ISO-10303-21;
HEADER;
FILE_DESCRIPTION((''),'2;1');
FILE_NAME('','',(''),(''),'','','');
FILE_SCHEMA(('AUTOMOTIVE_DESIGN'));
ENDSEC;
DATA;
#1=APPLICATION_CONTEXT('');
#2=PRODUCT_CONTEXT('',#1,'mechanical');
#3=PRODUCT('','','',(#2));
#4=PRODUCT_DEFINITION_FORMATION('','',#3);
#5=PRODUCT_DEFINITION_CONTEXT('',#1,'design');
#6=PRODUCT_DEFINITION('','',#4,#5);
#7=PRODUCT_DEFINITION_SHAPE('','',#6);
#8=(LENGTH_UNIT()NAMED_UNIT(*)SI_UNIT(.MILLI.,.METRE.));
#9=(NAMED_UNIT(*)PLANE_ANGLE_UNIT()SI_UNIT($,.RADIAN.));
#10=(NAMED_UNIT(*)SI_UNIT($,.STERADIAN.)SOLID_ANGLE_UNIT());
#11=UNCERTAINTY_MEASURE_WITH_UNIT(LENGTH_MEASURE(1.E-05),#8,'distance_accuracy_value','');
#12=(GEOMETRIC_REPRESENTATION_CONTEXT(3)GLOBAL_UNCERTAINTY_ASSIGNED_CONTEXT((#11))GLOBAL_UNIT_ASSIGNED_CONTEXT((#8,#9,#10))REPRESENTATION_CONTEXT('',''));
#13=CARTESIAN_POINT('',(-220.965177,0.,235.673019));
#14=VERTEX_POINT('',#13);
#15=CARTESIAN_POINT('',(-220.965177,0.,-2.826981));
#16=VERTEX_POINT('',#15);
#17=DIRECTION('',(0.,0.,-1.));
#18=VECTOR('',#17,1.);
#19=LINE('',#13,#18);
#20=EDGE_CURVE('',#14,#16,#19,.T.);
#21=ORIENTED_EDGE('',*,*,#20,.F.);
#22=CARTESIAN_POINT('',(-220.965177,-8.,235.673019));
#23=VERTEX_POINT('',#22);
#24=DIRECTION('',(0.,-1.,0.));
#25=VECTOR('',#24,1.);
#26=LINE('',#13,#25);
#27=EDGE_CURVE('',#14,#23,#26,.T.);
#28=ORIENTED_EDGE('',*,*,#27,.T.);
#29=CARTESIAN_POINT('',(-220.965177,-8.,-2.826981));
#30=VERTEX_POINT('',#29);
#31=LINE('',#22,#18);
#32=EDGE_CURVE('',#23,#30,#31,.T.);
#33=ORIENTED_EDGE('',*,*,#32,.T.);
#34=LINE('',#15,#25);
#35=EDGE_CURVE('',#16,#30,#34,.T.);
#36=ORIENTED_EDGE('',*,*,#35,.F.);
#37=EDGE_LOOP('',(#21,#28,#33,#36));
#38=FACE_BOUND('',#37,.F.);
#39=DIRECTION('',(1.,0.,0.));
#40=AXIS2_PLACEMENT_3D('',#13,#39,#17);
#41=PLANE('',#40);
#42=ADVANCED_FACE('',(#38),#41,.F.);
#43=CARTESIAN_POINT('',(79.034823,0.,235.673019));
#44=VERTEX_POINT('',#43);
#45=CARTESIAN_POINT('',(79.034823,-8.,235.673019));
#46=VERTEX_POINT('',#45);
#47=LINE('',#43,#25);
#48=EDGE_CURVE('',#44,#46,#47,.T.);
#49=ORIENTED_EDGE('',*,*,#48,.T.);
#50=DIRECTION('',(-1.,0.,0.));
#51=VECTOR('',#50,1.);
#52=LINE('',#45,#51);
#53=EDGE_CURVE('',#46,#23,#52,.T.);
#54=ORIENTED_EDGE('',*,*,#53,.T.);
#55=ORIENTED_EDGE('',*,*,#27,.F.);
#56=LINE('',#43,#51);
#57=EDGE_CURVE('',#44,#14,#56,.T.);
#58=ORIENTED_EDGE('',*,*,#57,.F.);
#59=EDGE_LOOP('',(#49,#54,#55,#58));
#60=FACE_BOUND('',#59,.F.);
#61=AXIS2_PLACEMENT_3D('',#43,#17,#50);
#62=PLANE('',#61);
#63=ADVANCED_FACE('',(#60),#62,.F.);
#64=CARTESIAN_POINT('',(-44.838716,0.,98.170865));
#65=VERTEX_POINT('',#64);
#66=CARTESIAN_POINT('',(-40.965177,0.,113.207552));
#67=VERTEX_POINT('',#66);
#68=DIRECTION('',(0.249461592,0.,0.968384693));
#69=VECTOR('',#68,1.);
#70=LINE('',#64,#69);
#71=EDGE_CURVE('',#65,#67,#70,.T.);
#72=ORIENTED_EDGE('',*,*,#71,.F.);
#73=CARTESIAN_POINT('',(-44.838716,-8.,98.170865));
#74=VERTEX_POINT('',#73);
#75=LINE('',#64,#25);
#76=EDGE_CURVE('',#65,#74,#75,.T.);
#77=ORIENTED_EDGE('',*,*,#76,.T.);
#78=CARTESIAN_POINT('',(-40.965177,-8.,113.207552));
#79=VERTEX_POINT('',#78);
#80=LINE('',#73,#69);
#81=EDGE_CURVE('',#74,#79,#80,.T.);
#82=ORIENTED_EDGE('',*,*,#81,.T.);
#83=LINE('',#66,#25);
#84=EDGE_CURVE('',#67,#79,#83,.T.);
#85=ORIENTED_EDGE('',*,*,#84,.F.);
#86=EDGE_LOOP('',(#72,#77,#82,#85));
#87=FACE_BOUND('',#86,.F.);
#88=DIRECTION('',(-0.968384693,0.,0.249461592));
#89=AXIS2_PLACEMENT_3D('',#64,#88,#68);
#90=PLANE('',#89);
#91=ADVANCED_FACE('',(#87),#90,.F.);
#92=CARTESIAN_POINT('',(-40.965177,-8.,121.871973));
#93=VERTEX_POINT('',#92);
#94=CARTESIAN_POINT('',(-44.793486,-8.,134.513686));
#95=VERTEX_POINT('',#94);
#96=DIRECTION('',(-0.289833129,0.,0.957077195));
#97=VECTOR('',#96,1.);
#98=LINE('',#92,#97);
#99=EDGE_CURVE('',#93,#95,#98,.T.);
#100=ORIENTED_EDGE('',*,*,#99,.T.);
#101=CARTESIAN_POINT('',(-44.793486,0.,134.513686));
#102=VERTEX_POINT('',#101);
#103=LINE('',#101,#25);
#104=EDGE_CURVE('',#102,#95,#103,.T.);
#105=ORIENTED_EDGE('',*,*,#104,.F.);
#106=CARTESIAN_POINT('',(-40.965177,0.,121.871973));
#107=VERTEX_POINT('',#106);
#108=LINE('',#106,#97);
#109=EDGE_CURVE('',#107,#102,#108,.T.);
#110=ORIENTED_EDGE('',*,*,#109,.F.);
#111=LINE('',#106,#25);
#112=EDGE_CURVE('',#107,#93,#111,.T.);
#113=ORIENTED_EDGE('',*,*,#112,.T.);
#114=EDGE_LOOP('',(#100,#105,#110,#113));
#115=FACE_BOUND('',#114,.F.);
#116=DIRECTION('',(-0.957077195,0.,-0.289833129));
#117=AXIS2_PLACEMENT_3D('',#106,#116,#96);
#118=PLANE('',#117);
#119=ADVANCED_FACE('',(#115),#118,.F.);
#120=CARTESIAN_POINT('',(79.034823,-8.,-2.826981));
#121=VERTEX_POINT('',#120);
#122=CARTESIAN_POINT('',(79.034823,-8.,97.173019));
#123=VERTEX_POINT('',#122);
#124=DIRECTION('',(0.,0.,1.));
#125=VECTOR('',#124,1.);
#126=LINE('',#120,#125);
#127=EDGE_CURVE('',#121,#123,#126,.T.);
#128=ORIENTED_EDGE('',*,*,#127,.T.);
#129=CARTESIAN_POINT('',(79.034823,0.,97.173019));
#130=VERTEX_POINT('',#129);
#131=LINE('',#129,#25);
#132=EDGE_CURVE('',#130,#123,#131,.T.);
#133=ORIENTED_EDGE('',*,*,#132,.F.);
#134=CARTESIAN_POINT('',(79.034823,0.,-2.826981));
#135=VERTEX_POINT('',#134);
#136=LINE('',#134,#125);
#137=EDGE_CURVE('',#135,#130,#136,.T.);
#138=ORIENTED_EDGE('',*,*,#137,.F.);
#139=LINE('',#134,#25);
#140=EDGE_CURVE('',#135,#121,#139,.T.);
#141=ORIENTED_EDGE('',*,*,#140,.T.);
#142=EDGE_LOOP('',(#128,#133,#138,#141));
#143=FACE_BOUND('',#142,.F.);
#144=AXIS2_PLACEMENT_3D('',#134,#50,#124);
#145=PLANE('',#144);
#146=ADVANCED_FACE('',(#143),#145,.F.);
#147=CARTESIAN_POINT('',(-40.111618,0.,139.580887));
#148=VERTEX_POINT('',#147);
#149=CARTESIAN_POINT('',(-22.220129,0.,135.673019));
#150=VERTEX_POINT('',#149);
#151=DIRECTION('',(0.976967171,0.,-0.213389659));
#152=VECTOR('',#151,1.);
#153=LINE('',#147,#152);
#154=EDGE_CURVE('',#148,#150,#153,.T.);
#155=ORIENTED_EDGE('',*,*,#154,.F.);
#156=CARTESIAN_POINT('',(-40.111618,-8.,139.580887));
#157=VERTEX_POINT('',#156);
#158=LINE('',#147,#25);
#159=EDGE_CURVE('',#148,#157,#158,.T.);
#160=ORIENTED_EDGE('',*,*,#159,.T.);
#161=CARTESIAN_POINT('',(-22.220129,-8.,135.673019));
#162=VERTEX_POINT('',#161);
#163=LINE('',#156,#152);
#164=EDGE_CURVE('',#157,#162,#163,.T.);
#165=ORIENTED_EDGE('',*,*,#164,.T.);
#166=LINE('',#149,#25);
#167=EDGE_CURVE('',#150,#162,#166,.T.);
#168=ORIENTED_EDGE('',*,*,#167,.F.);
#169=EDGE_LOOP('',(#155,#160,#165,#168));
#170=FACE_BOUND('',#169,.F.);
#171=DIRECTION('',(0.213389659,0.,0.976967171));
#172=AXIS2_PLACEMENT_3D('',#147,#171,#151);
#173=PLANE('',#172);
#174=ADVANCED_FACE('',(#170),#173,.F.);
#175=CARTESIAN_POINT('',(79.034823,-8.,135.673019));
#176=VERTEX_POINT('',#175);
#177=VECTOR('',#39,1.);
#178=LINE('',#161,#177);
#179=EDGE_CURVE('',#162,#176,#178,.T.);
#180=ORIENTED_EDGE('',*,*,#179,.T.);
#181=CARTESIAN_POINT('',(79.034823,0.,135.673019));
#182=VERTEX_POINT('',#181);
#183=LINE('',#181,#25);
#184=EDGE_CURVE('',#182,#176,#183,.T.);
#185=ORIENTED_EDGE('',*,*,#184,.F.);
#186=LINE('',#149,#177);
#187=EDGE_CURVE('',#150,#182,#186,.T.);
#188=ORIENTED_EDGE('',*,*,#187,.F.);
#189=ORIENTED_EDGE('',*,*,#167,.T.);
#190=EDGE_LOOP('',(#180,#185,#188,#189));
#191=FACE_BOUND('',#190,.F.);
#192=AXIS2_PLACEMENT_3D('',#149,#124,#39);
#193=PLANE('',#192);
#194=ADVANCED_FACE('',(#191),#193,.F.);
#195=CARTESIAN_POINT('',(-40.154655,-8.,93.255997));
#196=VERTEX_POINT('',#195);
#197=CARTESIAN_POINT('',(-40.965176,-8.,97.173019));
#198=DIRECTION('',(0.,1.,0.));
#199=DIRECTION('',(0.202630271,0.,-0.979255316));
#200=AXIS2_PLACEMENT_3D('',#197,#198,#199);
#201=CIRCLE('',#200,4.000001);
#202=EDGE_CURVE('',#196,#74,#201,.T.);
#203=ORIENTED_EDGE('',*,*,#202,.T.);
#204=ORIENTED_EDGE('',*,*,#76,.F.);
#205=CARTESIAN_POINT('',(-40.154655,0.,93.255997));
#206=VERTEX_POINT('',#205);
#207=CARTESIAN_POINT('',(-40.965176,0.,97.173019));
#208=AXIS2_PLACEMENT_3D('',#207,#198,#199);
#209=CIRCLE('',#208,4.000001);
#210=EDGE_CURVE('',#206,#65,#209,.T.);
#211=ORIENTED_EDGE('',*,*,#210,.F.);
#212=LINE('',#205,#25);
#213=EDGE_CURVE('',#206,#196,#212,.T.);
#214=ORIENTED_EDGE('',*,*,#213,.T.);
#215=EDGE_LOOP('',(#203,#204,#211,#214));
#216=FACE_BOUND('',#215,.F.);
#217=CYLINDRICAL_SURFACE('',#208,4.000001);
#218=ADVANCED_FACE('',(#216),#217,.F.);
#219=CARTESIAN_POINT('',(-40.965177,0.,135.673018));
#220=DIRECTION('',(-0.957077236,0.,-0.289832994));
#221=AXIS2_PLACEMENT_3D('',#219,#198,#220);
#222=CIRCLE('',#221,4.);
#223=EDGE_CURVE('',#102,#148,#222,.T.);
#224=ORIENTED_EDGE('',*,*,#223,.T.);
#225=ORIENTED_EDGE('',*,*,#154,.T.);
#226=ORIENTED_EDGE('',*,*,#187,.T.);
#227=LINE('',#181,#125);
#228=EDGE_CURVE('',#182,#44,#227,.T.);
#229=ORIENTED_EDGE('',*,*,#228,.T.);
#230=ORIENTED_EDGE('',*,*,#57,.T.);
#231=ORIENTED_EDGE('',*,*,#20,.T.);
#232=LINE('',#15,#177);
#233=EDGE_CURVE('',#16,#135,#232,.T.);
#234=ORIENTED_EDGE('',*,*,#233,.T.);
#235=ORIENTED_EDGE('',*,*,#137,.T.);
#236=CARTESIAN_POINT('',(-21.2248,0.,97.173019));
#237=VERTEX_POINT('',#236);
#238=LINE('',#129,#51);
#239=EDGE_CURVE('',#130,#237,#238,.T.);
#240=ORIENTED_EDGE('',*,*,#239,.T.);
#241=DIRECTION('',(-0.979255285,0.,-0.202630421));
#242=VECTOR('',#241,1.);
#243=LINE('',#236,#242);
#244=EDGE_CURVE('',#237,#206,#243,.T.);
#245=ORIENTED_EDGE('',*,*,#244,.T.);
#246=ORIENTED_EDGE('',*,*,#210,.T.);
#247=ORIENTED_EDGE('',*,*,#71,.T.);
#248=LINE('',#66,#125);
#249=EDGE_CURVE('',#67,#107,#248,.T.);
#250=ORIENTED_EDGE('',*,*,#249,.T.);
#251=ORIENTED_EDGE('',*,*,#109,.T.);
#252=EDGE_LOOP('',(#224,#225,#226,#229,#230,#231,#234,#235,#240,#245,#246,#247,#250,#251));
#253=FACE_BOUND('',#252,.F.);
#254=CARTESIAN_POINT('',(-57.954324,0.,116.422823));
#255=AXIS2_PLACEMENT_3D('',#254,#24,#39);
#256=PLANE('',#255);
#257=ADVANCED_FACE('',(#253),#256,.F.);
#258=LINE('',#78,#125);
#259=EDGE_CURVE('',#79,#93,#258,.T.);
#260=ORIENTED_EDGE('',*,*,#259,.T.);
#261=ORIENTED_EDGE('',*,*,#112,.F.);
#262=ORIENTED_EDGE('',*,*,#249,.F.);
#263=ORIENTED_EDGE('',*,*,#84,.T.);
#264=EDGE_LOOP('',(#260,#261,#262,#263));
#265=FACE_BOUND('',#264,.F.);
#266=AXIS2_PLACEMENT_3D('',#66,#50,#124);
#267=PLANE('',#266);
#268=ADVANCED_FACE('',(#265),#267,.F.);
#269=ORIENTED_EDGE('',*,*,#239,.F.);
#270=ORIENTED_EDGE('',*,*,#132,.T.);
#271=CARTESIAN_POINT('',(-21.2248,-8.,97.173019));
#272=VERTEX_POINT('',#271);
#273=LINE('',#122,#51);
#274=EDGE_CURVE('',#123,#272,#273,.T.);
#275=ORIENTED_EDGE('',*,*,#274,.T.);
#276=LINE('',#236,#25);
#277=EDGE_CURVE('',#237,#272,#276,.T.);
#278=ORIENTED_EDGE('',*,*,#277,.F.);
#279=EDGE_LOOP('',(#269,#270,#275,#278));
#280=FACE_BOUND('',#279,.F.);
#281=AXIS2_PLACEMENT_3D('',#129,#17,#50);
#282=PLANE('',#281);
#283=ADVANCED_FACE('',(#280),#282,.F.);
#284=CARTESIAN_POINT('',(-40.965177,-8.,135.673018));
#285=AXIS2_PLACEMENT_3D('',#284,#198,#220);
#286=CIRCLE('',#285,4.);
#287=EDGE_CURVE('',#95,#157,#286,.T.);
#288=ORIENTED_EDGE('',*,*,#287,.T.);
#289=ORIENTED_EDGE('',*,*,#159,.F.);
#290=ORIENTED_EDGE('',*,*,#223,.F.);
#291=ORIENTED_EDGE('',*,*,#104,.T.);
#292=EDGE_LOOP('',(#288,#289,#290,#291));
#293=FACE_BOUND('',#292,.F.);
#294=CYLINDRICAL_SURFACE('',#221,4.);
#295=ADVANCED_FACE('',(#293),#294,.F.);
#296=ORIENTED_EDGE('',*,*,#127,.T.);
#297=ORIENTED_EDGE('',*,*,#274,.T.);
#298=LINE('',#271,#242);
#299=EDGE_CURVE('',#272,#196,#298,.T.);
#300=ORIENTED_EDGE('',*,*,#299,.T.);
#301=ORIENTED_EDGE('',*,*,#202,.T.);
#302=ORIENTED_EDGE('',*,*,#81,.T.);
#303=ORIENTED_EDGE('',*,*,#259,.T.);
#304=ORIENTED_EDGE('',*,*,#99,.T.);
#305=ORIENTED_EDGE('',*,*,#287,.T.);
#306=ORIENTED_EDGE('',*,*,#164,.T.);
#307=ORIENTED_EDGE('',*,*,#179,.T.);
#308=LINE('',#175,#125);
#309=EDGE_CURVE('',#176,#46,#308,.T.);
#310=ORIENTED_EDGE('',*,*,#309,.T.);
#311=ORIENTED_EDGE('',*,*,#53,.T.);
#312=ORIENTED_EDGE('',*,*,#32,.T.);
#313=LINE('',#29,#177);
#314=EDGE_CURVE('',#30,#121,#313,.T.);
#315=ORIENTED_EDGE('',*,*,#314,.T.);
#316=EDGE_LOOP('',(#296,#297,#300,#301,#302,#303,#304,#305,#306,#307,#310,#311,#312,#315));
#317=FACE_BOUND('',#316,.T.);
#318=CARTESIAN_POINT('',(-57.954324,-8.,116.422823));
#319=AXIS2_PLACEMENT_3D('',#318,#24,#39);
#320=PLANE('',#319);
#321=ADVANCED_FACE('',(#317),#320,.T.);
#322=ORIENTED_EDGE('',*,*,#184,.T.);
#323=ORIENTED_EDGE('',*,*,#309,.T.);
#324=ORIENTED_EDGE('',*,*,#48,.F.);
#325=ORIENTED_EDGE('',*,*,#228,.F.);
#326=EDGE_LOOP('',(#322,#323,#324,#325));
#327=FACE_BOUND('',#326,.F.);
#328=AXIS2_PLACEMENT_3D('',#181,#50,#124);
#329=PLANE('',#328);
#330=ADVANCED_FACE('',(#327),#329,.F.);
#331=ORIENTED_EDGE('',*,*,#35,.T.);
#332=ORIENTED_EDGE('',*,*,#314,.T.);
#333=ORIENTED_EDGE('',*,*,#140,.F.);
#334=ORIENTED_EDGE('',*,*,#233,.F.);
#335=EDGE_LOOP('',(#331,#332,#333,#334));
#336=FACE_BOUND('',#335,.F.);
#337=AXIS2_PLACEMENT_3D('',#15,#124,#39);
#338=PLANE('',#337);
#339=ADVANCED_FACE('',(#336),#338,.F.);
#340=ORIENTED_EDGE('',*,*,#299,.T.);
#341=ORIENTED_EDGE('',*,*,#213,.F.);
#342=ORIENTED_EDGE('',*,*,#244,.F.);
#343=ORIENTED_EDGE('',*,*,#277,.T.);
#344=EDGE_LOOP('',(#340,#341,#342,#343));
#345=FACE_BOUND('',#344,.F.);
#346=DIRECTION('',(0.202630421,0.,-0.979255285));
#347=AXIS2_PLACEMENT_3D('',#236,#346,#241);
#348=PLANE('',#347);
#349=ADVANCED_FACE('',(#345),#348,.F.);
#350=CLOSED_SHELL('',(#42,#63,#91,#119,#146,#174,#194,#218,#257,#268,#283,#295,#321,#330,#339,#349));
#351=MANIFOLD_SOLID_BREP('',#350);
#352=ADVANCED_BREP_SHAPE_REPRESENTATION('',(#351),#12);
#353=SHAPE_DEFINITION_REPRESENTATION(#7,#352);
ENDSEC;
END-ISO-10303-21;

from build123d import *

# Parameters (mm, degrees)
F1_DEPTH = 8


with BuildPart() as f1:
    # F0 (on Front) → F1 (new body)
    with BuildSketch(Plane.XZ):
        with BuildLine():
            Line((-40.111618, 139.580887), (-22.220129, 135.673019))
            Line((-22.220129, 135.673019), (79.034823, 135.673019))
            Line((79.034823, 135.673019), (79.034823, 235.673019))
            Line((79.034823, 235.673019), (-220.965177, 235.673019))
            Line((-220.965177, 235.673019), (-220.965177, -2.826981))
            Line((-220.965177, -2.826981), (79.034823, -2.826981))
            Line((79.034823, -2.826981), (79.034823, 97.173019))
            Line((79.034823, 97.173019), (-21.2248, 97.173019))
            Line((-21.2248, 97.173019), (-40.154655, 93.255997))
            ThreePointArc((-40.154655, 93.255997), (-43.860777, 94.413399), (-44.838716, 98.170865))
            Line((-44.838716, 98.170865), (-40.965177, 113.207552))
            Line((-40.965177, 113.207552), (-40.965177, 121.871973))
            Line((-40.965177, 121.871973), (-44.793486, 134.513686))
            ThreePointArc((-44.793486, 134.513686), (-43.903104, 138.387532), (-40.111618, 139.580887))
        make_face()
    extrude(amount=F1_DEPTH)


solid = f1.part
